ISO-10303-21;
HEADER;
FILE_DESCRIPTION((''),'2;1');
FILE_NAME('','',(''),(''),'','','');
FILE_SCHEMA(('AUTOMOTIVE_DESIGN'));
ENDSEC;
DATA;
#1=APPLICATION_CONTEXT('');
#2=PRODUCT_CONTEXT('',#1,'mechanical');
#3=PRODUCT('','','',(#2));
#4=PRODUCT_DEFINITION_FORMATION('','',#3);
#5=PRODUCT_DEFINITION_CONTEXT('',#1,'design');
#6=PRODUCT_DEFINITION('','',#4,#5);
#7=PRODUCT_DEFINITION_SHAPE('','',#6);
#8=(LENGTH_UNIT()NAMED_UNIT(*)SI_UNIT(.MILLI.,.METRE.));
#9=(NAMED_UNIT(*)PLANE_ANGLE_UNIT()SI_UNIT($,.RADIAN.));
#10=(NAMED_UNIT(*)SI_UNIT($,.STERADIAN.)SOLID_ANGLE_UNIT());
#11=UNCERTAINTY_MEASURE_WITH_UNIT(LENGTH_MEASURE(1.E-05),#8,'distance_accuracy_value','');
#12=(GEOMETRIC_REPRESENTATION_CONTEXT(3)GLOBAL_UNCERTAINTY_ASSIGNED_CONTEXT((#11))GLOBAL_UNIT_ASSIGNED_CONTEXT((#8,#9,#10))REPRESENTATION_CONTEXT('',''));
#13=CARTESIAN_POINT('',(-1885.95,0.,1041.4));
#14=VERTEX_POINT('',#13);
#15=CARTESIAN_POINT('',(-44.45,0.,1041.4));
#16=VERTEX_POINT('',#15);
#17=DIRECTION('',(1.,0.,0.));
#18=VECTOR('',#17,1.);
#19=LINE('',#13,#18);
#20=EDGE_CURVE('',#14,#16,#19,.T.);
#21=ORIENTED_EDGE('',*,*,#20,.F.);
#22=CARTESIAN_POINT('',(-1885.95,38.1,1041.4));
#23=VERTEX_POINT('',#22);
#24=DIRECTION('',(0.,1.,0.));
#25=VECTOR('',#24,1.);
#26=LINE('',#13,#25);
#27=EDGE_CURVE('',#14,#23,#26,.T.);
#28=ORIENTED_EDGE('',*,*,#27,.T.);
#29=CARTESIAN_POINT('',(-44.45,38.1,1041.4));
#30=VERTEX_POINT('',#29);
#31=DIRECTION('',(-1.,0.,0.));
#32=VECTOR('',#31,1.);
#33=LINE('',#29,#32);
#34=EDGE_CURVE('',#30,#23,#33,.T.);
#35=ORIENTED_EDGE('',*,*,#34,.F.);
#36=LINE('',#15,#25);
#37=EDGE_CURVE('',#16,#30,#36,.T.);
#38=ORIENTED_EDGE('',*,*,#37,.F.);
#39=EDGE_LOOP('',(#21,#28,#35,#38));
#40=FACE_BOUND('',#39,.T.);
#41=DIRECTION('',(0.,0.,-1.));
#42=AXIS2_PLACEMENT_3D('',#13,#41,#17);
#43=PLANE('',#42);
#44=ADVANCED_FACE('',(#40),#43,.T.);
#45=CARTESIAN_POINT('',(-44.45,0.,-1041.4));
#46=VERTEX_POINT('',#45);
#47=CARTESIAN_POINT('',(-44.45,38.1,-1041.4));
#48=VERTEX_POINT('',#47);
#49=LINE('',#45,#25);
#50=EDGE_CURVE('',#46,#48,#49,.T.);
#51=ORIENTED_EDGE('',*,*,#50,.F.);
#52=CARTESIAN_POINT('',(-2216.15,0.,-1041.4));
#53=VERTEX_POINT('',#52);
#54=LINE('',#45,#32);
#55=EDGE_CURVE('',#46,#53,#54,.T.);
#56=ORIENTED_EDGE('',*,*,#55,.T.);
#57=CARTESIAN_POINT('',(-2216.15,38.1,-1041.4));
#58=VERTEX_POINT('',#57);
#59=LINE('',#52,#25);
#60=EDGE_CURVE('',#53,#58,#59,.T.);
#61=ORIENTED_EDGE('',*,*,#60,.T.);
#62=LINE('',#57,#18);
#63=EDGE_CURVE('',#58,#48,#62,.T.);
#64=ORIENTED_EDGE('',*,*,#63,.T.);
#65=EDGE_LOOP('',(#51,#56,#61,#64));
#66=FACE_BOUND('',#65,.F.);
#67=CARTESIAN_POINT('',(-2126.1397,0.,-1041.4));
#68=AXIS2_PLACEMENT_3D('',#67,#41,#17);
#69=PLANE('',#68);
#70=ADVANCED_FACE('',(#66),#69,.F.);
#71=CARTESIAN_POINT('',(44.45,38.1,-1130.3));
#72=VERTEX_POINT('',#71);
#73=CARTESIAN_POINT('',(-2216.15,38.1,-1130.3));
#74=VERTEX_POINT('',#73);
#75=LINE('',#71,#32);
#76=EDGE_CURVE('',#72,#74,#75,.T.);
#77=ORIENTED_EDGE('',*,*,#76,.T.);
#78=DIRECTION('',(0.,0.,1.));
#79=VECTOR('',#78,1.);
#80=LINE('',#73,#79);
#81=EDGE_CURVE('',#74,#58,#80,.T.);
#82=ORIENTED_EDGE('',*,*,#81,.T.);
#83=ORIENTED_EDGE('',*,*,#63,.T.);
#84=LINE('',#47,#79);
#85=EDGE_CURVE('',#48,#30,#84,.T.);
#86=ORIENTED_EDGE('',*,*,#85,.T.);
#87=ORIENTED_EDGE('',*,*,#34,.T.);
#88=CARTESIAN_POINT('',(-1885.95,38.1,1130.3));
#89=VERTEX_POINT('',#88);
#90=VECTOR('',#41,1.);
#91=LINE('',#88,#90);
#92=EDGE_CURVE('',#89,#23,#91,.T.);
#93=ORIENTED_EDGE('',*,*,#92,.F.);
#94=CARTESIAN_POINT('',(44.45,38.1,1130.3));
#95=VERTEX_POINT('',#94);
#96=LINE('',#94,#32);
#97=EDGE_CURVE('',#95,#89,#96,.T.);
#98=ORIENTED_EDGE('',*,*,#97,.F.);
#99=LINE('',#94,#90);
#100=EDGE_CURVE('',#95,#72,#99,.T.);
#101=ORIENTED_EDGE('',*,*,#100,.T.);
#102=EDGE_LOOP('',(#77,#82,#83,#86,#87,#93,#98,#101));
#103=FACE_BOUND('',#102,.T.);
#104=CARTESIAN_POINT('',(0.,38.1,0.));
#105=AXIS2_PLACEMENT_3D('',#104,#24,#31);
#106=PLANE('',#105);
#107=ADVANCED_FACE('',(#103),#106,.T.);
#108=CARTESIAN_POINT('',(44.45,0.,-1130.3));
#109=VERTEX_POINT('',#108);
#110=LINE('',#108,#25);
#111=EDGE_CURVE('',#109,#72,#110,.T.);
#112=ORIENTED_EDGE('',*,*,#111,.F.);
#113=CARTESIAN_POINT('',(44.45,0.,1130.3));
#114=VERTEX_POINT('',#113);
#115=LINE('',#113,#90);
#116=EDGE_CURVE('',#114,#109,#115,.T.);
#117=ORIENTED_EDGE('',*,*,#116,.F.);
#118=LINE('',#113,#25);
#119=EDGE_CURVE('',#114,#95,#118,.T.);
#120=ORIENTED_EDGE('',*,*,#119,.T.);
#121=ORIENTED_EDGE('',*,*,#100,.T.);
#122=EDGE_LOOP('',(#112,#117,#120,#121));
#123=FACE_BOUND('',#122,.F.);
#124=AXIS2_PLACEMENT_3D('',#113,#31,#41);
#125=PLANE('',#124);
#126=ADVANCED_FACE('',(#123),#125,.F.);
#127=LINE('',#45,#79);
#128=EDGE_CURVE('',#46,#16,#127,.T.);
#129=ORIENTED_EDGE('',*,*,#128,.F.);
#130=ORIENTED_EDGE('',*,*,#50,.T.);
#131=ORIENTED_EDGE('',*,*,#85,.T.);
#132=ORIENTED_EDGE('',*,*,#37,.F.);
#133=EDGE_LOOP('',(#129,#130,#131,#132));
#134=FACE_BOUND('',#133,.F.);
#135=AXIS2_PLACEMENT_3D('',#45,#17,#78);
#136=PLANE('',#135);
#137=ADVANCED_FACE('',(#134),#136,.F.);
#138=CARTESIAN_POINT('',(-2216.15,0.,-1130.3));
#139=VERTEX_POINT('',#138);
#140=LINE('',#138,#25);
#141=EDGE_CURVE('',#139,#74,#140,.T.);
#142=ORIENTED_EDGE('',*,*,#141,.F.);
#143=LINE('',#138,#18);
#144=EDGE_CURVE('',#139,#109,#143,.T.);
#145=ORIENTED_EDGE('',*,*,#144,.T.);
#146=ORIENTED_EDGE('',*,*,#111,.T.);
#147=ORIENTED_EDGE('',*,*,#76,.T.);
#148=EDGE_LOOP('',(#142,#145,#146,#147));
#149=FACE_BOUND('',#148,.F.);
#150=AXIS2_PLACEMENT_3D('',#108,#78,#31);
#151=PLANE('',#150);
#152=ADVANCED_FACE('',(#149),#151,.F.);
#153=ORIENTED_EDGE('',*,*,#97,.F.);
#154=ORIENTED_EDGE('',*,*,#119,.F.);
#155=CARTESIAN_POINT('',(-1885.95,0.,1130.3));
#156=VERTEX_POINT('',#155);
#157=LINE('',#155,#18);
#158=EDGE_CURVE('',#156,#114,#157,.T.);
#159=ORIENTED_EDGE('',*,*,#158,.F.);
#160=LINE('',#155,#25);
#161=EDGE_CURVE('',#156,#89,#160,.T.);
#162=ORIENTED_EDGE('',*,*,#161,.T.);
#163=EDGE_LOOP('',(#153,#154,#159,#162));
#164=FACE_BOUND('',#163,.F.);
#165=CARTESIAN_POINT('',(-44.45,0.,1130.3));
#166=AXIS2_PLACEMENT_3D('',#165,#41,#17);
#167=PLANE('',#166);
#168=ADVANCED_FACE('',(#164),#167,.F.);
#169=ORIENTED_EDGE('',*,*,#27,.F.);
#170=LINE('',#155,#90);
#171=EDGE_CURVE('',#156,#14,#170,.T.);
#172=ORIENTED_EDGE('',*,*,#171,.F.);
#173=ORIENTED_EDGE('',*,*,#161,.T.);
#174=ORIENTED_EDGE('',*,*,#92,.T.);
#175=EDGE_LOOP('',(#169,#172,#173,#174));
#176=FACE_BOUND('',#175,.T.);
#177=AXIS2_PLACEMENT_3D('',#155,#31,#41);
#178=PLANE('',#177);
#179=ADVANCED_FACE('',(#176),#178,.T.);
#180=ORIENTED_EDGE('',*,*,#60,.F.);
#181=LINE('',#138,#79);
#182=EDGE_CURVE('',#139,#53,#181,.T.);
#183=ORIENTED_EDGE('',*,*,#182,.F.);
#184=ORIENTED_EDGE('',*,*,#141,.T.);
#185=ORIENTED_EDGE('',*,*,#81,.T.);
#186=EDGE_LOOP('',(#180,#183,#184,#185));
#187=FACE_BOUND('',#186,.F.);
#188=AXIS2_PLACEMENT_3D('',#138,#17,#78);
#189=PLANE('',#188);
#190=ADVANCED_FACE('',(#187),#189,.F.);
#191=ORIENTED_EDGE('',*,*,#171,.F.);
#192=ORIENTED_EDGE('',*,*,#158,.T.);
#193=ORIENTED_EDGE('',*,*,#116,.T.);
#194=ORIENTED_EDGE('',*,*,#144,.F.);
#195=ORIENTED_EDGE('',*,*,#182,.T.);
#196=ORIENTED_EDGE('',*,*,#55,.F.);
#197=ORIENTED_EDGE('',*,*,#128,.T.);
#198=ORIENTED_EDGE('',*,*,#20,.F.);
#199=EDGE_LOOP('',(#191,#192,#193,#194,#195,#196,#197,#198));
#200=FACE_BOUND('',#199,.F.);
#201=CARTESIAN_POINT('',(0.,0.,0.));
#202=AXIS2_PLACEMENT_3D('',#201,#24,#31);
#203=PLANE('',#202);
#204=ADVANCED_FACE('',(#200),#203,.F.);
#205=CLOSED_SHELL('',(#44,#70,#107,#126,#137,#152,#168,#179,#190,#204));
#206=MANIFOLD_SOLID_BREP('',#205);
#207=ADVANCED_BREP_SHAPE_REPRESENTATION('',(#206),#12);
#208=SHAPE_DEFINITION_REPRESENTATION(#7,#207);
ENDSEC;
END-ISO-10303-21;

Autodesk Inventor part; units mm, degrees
ref_plane "YZ Plane" through (0, 0, 0) normal (1, 0, 0) x (0, 1, 0)
ref_plane "XZ Plane" through (0, 0, 0) normal (0, 1, 0) x (-1, 0, 0)
ref_plane "XY Plane" through (0, 0, 0) normal (0, 0, 1) x (1, 0, 0)
sketch "Sketch1" plane through (0, 0, 0) normal (0, 1, 0) x (-1, 0, 0)
  line L0 (-44.45, 1130.3) -> (-44.45, -1130.3)
  line L1 (-44.45, -1130.3) -> (44.45, -1130.3)
  line L2 (44.45, -1041.4) -> (44.45, 1130.3)
  line L3 (44.45, 1130.3) -> (-44.45, 1130.3)
  line L4 (-44.45, 1130.3) -> (44.45, -1130.3) construction
  line L5 (-44.45, -1130.3) -> (44.45, 1130.3) construction
  line L6 (44.45, 1130.3) -> (1885.95, 1130.3)
  line L7 (1885.95, 1130.3) -> (1885.95, 1041.4)
  line L8 (1795.9397, 1041.4) -> (44.45, 1041.4)
  line L9 (44.45, 1041.4) -> (44.45, 1130.3)
  line L10 (44.45, -1130.3) -> (2216.15, -1130.3)
  line L11 (2216.15, -1130.3) -> (2216.15, -1041.4)
  line L12 (2126.1397, -1041.4) -> (44.45, -1041.4)
  line L13 (44.45, -1041.4) -> (44.45, -1130.3)
  line L14 (2128.3466, -1055.3201) -> (2126.1397, -1041.4) construction
  line L15 (1885.95, 1041.4) -> (1798.1466, 1027.4799) construction
  line L16 (2216.15, -1041.4) -> (2126.1397, -1041.4)
  line L17 (1885.95, 1041.4) -> (1795.9397, 1041.4)
  point P0 (0, 0)
  dimension "d0" = 88.9
  dimension "d1" = 2260.6
  dimension "d3" = 1930.4
  dimension "d5" = 2260.6
  dimension "d16" = 88.9
  dimension "d17" = 88.9
extrude "Extrusion1" add sketch "Sketch1" along normal blind 38.1
properties part number "Base for Pool House" material "Wood (Oak)"
